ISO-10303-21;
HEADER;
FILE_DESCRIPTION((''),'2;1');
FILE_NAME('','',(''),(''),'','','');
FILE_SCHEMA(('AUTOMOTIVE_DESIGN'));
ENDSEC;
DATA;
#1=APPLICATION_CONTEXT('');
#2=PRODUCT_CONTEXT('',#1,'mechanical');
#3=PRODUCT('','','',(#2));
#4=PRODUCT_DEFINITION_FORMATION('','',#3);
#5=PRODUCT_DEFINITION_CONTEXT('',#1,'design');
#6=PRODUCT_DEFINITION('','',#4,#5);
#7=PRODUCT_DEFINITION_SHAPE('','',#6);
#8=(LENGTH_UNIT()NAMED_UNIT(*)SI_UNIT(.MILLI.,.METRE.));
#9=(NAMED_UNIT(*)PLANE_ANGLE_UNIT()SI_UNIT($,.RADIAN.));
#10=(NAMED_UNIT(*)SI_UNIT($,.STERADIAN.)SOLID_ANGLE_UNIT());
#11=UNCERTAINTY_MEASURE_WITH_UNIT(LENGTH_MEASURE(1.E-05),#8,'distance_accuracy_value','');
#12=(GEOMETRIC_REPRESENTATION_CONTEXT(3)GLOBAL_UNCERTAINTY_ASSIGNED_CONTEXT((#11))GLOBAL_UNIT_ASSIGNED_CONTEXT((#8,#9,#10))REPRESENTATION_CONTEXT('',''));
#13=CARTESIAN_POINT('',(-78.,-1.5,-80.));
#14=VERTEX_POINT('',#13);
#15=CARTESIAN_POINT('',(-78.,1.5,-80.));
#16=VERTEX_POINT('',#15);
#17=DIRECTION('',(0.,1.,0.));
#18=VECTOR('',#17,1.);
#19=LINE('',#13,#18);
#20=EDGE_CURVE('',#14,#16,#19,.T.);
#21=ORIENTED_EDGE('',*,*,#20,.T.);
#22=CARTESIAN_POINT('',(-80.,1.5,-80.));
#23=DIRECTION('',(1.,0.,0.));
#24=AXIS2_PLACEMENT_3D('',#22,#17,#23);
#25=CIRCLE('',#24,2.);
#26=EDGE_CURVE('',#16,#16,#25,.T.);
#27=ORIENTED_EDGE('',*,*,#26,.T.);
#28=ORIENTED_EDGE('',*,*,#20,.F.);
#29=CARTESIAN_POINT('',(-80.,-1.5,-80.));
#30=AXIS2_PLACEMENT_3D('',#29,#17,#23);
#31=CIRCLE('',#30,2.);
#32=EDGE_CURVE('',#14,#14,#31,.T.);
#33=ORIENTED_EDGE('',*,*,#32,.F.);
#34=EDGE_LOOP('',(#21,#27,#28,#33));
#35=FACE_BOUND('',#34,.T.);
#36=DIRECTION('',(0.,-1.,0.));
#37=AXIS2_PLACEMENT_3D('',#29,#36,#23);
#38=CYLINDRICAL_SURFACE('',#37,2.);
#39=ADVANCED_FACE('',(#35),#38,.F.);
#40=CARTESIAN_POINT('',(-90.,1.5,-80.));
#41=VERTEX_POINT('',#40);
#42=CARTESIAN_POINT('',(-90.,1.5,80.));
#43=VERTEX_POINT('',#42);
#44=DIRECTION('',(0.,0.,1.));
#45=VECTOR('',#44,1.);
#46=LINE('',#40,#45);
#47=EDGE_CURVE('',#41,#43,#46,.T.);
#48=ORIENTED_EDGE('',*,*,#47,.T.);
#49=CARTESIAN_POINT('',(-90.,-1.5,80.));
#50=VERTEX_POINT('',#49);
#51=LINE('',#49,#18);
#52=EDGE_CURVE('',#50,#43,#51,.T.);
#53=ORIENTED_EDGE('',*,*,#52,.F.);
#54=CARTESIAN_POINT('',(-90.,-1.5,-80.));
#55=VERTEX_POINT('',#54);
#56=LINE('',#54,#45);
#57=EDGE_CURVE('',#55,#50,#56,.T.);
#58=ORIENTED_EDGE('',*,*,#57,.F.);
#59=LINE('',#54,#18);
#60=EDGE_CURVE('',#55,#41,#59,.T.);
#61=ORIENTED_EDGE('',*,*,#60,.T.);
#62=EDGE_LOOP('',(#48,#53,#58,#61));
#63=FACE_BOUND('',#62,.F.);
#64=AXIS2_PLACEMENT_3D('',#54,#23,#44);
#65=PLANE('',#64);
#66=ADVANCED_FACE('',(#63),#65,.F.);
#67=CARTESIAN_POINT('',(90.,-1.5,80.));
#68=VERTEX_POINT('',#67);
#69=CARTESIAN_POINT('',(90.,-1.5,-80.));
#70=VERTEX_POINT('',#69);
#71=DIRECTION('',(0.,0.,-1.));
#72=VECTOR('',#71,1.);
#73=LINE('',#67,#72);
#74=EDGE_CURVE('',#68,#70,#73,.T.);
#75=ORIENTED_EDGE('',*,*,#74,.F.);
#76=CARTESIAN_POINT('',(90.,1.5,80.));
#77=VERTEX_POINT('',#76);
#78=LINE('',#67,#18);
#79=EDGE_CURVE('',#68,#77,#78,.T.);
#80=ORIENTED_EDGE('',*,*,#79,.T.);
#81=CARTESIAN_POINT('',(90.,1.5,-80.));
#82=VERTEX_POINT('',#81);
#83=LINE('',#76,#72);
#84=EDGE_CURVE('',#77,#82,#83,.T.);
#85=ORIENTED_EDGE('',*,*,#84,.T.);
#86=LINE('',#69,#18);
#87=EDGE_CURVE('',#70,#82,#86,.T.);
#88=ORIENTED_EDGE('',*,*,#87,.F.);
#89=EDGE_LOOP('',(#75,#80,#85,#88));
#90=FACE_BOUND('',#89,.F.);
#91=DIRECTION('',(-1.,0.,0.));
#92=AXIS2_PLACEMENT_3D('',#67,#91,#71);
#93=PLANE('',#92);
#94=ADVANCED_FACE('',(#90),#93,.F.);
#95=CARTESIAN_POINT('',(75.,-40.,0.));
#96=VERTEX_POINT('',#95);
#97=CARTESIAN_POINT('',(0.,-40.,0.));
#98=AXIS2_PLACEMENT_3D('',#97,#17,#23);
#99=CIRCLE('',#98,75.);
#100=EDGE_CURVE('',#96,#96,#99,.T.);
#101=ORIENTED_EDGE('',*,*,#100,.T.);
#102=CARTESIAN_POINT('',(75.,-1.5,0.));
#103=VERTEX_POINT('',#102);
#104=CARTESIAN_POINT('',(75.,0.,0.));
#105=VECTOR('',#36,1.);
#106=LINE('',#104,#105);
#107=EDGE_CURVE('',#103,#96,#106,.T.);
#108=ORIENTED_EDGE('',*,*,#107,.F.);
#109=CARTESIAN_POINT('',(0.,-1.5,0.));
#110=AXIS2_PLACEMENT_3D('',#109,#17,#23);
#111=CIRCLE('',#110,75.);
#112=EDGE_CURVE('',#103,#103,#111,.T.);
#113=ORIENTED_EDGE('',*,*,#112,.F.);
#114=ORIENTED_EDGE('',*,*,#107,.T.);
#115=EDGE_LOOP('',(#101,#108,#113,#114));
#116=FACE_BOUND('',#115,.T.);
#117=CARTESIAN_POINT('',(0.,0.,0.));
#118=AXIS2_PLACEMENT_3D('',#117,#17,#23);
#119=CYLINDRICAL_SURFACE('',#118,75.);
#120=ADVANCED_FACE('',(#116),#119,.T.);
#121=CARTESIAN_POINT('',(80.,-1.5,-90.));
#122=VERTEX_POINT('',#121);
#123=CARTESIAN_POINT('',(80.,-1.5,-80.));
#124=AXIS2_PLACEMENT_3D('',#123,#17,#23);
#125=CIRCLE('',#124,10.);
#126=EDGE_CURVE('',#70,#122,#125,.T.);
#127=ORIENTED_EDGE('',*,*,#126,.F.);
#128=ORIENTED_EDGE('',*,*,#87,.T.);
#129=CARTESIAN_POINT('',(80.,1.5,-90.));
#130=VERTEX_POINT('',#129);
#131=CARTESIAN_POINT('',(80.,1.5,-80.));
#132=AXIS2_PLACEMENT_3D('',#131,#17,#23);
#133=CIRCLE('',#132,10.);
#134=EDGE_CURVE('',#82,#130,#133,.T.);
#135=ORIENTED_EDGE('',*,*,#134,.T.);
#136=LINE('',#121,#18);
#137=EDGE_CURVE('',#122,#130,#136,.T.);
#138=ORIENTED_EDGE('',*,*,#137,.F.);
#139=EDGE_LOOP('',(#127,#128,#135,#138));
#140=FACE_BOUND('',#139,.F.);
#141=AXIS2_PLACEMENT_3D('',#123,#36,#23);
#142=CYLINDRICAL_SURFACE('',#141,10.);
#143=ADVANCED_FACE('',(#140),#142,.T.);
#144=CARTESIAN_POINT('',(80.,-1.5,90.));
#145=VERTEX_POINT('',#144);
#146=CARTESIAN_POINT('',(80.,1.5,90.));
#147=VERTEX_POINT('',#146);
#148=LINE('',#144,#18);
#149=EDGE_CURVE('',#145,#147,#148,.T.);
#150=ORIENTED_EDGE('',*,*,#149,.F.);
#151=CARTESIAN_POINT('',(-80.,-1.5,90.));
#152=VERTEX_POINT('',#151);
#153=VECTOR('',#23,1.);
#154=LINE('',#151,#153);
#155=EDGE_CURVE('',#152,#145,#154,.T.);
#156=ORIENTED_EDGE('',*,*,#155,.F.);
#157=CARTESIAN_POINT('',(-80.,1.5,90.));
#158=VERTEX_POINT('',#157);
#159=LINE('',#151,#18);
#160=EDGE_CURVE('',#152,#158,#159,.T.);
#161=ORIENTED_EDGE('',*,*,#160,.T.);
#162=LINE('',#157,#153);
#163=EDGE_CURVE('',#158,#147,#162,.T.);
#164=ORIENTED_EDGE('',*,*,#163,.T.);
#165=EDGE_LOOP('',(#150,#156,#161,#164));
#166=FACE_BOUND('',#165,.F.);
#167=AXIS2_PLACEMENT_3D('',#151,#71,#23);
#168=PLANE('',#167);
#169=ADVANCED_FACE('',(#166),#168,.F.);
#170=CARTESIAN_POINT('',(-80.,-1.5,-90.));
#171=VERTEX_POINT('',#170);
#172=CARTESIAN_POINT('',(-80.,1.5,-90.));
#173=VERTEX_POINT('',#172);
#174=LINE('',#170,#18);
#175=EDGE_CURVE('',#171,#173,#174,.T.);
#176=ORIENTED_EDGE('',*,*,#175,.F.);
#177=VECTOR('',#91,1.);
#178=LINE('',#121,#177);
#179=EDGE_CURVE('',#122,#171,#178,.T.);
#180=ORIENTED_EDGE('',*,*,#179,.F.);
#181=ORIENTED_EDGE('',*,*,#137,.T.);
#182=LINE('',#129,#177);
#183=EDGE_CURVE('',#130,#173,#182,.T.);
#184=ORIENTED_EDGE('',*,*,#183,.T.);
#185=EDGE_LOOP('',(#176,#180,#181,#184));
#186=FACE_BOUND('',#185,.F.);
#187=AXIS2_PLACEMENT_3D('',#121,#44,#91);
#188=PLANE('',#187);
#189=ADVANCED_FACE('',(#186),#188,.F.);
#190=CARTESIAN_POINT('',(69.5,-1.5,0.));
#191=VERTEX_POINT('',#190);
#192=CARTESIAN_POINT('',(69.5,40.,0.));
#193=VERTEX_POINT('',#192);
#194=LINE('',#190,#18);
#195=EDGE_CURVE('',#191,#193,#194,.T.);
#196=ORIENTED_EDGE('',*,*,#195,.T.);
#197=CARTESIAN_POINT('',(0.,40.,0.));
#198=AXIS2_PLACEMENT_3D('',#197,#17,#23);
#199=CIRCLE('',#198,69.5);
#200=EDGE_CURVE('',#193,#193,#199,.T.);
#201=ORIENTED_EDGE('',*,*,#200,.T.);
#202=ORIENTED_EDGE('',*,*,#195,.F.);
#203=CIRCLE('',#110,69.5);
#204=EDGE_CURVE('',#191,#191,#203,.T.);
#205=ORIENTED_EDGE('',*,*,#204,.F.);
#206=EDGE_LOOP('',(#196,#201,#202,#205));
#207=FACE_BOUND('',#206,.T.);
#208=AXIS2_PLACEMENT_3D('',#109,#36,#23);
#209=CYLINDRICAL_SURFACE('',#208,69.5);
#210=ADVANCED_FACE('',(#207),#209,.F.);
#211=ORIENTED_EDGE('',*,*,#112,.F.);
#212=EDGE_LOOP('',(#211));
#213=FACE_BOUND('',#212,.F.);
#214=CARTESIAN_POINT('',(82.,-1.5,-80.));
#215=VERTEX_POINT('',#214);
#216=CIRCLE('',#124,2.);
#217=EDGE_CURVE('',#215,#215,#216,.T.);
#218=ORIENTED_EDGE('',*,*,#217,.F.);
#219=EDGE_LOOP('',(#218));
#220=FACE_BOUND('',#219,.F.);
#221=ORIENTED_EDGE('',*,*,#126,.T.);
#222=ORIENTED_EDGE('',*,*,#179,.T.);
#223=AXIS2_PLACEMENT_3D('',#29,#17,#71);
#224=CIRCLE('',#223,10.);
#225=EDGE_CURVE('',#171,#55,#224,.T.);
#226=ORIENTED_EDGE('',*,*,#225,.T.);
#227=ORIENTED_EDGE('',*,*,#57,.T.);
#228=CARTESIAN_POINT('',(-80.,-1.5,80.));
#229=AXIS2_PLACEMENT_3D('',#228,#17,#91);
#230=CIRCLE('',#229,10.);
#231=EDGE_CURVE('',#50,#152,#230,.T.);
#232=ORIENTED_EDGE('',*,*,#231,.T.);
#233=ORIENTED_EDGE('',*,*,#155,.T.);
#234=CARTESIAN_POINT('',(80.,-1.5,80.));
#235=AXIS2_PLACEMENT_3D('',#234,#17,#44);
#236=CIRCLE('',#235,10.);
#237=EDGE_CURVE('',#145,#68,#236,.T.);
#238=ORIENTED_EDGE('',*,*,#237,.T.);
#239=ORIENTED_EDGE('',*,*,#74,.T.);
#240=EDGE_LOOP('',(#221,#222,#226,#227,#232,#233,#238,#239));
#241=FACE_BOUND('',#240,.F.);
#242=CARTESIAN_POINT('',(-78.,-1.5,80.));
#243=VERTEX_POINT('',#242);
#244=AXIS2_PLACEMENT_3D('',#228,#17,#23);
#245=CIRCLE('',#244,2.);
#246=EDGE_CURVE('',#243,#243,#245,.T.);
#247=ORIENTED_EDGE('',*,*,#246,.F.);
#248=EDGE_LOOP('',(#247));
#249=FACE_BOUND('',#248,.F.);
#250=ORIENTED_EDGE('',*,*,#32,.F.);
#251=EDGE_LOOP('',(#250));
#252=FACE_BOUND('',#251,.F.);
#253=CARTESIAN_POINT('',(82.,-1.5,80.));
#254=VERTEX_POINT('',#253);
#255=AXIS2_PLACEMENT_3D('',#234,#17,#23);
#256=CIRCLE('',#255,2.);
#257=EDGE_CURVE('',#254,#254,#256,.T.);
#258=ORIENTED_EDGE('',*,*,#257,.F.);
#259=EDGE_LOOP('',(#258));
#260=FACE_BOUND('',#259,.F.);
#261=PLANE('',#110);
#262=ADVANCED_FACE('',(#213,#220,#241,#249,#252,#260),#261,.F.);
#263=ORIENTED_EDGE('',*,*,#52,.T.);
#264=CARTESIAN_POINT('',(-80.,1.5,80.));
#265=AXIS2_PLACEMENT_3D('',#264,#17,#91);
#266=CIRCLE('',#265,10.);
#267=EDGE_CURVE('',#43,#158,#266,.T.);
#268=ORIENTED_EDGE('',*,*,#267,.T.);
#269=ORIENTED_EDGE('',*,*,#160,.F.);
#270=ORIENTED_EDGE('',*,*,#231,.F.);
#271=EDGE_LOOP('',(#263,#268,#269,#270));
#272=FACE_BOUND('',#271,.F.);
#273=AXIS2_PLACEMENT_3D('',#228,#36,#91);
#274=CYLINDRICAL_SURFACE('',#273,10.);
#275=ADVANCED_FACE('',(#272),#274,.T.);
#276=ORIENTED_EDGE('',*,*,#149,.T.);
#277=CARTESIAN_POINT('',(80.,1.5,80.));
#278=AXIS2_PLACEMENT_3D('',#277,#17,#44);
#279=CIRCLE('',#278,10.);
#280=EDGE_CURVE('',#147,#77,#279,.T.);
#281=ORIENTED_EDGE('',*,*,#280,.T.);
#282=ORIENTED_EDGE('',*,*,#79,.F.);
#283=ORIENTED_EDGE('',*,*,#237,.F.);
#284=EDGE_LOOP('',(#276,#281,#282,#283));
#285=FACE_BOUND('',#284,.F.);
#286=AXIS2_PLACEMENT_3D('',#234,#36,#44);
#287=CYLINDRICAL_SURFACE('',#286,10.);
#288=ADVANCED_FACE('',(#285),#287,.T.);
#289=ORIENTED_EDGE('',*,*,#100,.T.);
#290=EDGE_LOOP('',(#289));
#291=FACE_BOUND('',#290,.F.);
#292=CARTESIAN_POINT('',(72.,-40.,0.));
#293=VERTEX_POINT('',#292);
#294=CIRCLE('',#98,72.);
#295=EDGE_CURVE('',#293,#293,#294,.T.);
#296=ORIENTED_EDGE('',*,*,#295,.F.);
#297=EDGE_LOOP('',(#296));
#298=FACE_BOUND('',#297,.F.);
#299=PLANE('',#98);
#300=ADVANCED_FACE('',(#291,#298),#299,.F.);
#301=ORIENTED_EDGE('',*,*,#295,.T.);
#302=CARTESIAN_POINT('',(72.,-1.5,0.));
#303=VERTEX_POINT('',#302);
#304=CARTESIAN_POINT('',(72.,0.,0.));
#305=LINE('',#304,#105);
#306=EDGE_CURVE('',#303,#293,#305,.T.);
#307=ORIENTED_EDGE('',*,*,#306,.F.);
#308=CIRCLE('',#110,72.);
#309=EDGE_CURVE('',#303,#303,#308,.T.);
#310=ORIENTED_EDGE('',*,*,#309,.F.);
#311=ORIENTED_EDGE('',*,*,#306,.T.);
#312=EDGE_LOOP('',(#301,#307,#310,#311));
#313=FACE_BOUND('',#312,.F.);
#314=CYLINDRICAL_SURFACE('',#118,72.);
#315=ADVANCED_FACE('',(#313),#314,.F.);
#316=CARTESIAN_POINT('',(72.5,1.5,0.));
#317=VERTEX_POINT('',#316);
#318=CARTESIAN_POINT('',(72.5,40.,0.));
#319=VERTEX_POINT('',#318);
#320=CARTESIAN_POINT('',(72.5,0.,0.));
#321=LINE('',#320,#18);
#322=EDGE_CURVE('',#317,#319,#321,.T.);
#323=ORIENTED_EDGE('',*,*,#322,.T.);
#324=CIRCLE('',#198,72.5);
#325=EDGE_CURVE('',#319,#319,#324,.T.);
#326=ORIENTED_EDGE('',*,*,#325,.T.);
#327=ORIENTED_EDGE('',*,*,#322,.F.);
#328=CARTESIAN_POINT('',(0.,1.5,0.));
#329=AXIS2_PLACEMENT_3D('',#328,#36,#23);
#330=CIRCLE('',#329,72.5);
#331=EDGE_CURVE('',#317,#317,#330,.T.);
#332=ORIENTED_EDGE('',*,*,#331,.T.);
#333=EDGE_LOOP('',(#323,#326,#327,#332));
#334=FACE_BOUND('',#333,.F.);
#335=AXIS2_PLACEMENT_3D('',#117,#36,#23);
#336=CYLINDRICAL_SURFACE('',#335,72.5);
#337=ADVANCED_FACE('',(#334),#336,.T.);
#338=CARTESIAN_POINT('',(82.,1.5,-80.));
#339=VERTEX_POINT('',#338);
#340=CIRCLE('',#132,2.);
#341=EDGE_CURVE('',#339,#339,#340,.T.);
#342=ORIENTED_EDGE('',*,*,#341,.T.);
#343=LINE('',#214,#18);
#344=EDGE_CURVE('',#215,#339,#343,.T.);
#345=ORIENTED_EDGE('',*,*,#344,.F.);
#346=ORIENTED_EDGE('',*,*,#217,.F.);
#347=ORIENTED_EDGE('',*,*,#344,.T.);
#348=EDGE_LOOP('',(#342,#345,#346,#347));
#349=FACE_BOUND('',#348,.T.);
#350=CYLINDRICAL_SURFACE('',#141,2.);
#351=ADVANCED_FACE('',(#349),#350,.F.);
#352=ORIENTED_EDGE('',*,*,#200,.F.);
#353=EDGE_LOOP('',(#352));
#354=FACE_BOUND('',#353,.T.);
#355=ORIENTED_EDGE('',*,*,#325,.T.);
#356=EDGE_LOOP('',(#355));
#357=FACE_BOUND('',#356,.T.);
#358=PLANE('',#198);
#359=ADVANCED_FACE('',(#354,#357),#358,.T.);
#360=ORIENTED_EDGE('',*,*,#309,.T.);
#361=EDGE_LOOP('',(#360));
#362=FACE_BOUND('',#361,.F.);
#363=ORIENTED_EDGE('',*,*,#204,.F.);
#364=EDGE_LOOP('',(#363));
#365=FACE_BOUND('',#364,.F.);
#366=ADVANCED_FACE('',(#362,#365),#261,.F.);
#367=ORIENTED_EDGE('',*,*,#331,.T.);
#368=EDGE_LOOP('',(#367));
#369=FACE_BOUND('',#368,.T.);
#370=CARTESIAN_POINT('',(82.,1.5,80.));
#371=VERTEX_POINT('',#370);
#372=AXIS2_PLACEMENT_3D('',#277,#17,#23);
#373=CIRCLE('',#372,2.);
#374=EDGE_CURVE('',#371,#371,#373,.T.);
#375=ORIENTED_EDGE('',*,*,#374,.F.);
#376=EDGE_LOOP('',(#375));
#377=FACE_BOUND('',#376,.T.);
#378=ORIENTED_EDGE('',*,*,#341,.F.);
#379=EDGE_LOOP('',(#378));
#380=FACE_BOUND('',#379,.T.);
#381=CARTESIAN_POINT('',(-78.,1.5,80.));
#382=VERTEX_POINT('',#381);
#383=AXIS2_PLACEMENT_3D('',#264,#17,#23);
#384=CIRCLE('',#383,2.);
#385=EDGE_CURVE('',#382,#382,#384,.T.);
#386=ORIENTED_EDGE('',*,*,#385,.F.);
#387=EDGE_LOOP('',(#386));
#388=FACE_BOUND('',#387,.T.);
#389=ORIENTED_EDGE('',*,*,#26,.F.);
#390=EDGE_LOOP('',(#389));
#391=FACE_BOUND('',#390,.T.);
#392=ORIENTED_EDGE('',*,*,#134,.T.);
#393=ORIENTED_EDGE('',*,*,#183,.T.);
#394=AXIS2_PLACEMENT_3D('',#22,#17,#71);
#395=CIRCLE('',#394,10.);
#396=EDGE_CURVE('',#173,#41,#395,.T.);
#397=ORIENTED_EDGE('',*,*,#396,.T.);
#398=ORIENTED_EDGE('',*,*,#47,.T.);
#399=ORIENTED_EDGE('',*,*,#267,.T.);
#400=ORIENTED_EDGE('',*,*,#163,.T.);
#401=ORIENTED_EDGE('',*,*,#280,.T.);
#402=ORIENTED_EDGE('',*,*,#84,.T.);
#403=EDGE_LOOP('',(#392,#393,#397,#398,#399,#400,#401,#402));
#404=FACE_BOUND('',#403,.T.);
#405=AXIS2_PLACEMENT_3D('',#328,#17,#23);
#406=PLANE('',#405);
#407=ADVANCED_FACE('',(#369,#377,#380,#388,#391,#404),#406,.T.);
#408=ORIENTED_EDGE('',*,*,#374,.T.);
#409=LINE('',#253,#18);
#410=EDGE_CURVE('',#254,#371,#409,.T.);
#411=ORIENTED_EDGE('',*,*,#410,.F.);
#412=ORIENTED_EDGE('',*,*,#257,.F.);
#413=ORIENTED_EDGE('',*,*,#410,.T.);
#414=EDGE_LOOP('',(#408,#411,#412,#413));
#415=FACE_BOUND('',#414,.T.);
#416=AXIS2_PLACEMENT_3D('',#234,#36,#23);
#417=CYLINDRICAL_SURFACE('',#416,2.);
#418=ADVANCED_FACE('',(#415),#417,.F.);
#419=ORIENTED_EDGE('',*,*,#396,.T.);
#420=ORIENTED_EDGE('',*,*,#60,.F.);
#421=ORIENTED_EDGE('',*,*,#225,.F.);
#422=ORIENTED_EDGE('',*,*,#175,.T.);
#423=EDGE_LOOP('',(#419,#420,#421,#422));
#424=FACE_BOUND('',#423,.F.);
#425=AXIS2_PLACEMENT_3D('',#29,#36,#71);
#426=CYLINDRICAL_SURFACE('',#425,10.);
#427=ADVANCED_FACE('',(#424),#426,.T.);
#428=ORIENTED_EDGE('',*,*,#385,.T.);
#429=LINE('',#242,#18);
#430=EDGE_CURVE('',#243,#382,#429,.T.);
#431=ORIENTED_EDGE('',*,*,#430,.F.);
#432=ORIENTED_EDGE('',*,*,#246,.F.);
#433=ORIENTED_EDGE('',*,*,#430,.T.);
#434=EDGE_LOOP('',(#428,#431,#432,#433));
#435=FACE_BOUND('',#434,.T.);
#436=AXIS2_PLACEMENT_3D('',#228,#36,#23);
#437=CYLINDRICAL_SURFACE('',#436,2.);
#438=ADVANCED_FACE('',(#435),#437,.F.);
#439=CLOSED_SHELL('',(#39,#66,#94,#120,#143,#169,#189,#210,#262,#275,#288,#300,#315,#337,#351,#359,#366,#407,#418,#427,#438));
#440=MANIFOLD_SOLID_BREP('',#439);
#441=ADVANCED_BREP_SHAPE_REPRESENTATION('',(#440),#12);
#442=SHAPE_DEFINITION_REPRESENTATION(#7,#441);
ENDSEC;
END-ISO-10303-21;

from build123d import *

# Parameters (mm, degrees)
BOSS_EXTRUDE3_DEPTH      = 1.5
BOSS_EXTRUDE3_DEPTH_BACK = 1.5
SKETCH1_R                = 2
SKETCH1_R_2              = 69.5
SKETCH2_R                = 72.5
SKETCH2_R_2              = 69.5
BOSS_EXTRUDE4_DEPTH      = 40
SKETCH4_R                = 75
SKETCH4_R_2              = 72
BOSS_EXTRUDE6_DEPTH      = 40


with BuildPart() as part:
    # Sketch1 → Boss-Extrude3 (new, two sides: drawn at the far end of the back side and taken through both)
    with BuildSketch(Plane(origin=(0, 0, 0), x_dir=(1, 0, 0), z_dir=(0, 1, 0)).offset(-BOSS_EXTRUDE3_DEPTH_BACK)):
        with BuildLine():
            ThreePointArc((90, 80), (87.071067812, 87.071067812), (80, 90))
            Line((80, 90), (-80, 90))
            ThreePointArc((-80, 90), (-87.071067812, 87.071067812), (-90, 80))
            Line((-90, 80), (-90, -80))
            ThreePointArc((-90, -80), (-87.071067812, -87.071067812), (-80, -90))
            Line((-80, -90), (80, -90))
            ThreePointArc((80, -90), (87.071067812, -87.071067812), (90, -80))
            Line((90, -80), (90, 80))
        make_face()
        with Locations((-80, -80)):
            Circle(SKETCH1_R, mode=Mode.SUBTRACT)
        with Locations((80, -80)):
            Circle(SKETCH1_R, mode=Mode.SUBTRACT)
        Circle(SKETCH1_R_2, mode=Mode.SUBTRACT)
        with Locations((-80, 80)):
            Circle(SKETCH1_R, mode=Mode.SUBTRACT)
        with Locations((80, 80)):
            Circle(SKETCH1_R, mode=Mode.SUBTRACT)
    extrude(amount=BOSS_EXTRUDE3_DEPTH + BOSS_EXTRUDE3_DEPTH_BACK)

    # Sketch2 → Boss-Extrude4 (add)
    with BuildSketch(Plane(origin=(0, 0, 0), x_dir=(1, 0, 0), z_dir=(0, 1, 0))):
        Circle(SKETCH2_R)
        Circle(SKETCH2_R_2, mode=Mode.SUBTRACT)
    extrude(amount=BOSS_EXTRUDE4_DEPTH)

    # Sketch4 → Boss-Extrude6 (add)
    with BuildSketch(Plane(origin=(0, 0, 0), x_dir=(1, 0, 0), z_dir=(0, 1, 0))):
        Circle(SKETCH4_R)
        Circle(SKETCH4_R_2, mode=Mode.SUBTRACT)
    extrude(amount=-BOSS_EXTRUDE6_DEPTH)


solid = part.part
